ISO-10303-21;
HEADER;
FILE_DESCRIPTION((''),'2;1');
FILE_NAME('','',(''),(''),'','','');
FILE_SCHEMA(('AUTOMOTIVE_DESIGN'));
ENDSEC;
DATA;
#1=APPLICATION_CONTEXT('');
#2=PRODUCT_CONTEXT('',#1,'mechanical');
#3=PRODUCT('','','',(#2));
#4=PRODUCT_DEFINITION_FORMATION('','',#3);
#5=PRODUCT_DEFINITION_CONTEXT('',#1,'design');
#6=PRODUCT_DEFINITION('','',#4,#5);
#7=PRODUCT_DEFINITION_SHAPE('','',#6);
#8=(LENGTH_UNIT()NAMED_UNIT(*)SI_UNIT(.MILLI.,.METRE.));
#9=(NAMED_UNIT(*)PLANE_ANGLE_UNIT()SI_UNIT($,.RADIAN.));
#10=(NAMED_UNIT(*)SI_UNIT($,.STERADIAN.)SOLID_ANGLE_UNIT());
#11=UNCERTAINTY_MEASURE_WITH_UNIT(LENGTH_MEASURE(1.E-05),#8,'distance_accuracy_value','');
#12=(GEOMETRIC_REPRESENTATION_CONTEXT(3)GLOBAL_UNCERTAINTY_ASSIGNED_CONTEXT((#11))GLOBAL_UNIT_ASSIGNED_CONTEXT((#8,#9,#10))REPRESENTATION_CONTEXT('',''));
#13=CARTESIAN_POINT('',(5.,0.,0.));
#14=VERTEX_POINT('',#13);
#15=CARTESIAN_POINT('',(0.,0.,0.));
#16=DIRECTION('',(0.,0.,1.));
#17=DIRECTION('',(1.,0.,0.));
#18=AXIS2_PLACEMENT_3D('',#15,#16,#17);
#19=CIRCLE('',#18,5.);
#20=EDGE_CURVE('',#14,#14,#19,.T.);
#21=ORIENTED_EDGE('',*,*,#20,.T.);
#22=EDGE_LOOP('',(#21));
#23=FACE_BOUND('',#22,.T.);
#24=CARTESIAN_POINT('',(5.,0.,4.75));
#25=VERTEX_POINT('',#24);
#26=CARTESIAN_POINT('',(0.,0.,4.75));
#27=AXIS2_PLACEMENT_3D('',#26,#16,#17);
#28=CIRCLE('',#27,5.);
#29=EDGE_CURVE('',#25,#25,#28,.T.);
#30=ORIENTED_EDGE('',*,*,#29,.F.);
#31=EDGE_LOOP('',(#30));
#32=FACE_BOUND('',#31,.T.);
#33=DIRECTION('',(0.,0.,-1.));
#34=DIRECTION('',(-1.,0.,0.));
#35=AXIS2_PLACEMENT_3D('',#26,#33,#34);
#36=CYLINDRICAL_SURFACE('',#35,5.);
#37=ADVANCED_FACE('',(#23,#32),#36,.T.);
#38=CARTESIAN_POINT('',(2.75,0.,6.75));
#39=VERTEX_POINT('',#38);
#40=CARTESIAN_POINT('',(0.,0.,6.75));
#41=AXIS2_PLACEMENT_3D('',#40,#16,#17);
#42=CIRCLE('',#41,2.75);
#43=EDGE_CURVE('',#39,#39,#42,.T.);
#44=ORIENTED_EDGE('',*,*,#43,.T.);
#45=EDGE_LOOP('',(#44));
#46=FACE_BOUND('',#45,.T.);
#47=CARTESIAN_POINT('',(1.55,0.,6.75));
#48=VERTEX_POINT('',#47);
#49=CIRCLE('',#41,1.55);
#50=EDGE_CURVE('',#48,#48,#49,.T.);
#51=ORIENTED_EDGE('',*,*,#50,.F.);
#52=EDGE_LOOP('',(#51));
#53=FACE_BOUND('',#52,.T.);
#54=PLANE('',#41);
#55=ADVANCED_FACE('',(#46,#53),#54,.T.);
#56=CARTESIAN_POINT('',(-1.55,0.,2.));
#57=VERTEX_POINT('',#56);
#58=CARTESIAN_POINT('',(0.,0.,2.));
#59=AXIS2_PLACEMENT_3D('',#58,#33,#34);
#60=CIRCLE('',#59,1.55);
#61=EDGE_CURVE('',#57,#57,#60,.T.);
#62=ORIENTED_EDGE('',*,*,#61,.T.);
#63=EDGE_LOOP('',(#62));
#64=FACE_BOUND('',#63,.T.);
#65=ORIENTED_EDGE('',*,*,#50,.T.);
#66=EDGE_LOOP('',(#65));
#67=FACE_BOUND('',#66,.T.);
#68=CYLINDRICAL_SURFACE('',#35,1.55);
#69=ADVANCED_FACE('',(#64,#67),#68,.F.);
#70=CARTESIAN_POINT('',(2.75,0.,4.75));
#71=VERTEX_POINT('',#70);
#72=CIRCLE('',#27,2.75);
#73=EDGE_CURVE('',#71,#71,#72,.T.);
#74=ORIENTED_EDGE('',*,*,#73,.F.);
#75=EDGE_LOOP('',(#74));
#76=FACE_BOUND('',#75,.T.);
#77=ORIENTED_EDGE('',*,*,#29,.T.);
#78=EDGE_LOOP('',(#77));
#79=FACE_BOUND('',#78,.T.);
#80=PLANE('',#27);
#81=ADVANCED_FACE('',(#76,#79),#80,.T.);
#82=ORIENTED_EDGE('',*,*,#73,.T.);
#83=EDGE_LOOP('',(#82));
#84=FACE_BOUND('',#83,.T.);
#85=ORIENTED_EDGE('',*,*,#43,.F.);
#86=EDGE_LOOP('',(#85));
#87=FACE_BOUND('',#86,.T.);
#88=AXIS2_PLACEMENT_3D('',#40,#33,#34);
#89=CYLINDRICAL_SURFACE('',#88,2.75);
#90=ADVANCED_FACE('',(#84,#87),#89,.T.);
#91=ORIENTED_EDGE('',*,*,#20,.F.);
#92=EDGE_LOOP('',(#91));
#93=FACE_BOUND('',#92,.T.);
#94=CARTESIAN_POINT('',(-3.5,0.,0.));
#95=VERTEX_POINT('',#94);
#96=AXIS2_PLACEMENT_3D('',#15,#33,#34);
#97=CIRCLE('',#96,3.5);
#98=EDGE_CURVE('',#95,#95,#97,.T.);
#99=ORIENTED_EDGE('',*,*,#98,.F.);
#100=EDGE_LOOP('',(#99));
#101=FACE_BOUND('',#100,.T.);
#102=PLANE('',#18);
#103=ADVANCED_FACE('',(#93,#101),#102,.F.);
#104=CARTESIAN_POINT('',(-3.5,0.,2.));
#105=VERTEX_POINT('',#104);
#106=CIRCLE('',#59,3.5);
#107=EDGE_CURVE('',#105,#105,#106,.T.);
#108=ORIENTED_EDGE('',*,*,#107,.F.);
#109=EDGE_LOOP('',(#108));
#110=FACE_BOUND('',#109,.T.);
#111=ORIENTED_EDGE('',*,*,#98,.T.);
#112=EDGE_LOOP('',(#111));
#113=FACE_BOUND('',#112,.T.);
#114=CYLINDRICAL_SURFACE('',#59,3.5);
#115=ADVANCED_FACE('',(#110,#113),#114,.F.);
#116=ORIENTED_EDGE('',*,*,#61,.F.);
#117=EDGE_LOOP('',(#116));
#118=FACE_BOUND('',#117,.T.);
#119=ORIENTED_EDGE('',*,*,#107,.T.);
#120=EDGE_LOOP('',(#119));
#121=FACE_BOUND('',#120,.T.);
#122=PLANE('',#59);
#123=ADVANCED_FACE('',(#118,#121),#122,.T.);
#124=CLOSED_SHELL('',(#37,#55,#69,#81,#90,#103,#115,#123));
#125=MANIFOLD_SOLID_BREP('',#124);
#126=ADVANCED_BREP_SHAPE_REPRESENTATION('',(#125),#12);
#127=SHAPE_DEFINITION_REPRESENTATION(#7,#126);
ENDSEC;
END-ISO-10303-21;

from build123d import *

# Parameters (mm, degrees)
SKETCH_1_R          = 5
SKETCH_1_R_2        = 1.55
EXTRUDE_1_DEPTH     = 4.75
SKETCH_2_R          = 2.75
SKETCH_2_R_2        = 1.55
EXTRUDE_2_DEPTH     = 2
SKETCH_3_R          = 3.5
SKETCH_3_R_2        = 1.55
CUT_EXTRUDE_1_DEPTH = 2


with BuildPart() as part:
    # 草图1 → 凸台-拉伸1 (new body)
    with BuildSketch(Plane.XY):
        Circle(SKETCH_1_R)
        Circle(SKETCH_1_R_2, mode=Mode.SUBTRACT)
    extrude(amount=EXTRUDE_1_DEPTH)

    # 草图2 → 凸台-拉伸2 (add)
    with BuildSketch(Plane.XY.offset(4.75)):
        Circle(SKETCH_2_R)
        Circle(SKETCH_2_R_2, mode=Mode.SUBTRACT)
    extrude(amount=EXTRUDE_2_DEPTH)

    # 草图3 → 切除-拉伸1 (cut)
    with BuildSketch(Plane(origin=(0, 0, 0), x_dir=(-1, 0, 0), z_dir=(0, 0, -1))):
        Circle(SKETCH_3_R)
        Circle(SKETCH_3_R_2, mode=Mode.SUBTRACT)
    extrude(amount=-CUT_EXTRUDE_1_DEPTH, mode=Mode.SUBTRACT)


solid = part.part
